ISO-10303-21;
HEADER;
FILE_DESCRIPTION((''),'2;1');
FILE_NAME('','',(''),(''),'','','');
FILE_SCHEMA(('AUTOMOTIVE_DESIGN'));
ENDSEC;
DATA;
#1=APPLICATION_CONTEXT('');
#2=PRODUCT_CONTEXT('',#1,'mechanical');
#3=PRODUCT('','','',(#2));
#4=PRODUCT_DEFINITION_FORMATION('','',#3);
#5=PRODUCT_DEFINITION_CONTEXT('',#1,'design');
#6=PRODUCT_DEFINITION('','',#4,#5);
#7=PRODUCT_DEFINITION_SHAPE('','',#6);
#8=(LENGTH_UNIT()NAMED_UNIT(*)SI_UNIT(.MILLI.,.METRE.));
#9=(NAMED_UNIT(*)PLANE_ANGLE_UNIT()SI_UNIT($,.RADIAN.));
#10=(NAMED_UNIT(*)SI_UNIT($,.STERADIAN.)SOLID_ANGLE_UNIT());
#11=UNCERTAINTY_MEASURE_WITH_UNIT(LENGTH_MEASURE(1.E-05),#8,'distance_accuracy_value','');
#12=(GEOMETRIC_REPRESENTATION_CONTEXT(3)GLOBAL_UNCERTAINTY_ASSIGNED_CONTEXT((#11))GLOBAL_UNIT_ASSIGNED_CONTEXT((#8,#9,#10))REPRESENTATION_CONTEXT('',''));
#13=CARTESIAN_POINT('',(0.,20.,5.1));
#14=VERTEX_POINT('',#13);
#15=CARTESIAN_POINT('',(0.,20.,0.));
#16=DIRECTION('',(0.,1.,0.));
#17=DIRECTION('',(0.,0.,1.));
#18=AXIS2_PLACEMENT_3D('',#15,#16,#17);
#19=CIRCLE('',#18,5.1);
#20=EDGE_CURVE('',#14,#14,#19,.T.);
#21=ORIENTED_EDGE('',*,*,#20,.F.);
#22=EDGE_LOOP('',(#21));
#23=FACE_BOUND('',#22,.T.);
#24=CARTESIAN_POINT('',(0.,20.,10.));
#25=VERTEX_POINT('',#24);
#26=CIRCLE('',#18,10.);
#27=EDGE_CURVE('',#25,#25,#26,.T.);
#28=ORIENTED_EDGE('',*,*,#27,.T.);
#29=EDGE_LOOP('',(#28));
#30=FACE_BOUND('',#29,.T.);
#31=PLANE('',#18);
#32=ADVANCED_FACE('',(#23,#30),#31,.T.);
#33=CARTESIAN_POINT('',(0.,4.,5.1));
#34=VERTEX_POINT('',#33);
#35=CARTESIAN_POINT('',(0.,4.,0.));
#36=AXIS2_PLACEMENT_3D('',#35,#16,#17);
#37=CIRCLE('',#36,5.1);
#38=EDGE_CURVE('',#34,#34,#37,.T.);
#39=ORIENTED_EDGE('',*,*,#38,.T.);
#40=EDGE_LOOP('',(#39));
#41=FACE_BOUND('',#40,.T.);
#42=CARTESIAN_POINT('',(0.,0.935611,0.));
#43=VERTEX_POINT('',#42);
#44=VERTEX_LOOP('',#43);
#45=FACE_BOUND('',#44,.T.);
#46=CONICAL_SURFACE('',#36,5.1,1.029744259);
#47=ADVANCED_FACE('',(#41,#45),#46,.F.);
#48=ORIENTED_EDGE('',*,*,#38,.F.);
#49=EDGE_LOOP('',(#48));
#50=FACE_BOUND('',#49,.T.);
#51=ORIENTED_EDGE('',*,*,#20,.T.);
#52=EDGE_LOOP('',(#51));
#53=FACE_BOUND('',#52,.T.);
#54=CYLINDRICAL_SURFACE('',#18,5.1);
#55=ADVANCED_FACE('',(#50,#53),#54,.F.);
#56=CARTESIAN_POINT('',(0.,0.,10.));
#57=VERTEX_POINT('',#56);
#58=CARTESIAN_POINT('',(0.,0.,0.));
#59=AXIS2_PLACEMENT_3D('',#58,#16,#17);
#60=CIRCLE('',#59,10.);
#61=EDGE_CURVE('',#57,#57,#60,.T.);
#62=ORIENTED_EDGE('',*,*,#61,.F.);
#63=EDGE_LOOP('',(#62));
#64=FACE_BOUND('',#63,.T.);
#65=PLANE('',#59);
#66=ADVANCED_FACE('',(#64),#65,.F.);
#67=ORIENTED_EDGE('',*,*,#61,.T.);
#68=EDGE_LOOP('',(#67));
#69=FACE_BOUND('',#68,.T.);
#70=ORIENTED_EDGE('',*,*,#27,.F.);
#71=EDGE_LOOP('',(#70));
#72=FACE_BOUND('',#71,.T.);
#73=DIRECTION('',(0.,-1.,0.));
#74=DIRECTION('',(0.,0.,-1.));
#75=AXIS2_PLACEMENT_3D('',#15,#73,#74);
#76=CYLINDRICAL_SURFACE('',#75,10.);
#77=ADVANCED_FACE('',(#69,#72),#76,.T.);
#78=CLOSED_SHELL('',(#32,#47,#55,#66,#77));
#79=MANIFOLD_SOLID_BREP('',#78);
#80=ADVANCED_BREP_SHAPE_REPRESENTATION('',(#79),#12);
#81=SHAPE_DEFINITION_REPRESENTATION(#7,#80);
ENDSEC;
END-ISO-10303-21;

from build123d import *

# Parameters (mm, degrees)
SKIZZE1_R                 = 10
ZAPFEN_DEPTH              = 20
M12_GEWINDEBOHRUNG1_D     = 10.2
M12_GEWINDEBOHRUNG1_DEPTH = 16
M12_GEWINDEBOHRUNG1_TIP   = 3.064389157


with BuildPart() as part:
    # Skizze1 → Zapfen (new body)
    with BuildSketch(Plane(origin=(0, 0, 0), x_dir=(1, 0, 0), z_dir=(0, 1, 0))):
        with Locations(Location((0, 0, 0), (0, 0, 270))):  # turned: the seam where the file's is
            Circle(SKIZZE1_R)
    extrude(amount=ZAPFEN_DEPTH)

    # M12 Gewindebohrung1
    with Locations(Plane(origin=(0, 20, 0), x_dir=(1, 0, 0), z_dir=(0, 1, 0))):
        with Locations((0, 0)):
            Hole(M12_GEWINDEBOHRUNG1_D / 2, depth=M12_GEWINDEBOHRUNG1_DEPTH)
            with Locations((0, 0, -(M12_GEWINDEBOHRUNG1_DEPTH + M12_GEWINDEBOHRUNG1_TIP / 2))):  # 118° drill point
                Cone(0, M12_GEWINDEBOHRUNG1_D / 2, M12_GEWINDEBOHRUNG1_TIP, mode=Mode.SUBTRACT)


solid = part.part
